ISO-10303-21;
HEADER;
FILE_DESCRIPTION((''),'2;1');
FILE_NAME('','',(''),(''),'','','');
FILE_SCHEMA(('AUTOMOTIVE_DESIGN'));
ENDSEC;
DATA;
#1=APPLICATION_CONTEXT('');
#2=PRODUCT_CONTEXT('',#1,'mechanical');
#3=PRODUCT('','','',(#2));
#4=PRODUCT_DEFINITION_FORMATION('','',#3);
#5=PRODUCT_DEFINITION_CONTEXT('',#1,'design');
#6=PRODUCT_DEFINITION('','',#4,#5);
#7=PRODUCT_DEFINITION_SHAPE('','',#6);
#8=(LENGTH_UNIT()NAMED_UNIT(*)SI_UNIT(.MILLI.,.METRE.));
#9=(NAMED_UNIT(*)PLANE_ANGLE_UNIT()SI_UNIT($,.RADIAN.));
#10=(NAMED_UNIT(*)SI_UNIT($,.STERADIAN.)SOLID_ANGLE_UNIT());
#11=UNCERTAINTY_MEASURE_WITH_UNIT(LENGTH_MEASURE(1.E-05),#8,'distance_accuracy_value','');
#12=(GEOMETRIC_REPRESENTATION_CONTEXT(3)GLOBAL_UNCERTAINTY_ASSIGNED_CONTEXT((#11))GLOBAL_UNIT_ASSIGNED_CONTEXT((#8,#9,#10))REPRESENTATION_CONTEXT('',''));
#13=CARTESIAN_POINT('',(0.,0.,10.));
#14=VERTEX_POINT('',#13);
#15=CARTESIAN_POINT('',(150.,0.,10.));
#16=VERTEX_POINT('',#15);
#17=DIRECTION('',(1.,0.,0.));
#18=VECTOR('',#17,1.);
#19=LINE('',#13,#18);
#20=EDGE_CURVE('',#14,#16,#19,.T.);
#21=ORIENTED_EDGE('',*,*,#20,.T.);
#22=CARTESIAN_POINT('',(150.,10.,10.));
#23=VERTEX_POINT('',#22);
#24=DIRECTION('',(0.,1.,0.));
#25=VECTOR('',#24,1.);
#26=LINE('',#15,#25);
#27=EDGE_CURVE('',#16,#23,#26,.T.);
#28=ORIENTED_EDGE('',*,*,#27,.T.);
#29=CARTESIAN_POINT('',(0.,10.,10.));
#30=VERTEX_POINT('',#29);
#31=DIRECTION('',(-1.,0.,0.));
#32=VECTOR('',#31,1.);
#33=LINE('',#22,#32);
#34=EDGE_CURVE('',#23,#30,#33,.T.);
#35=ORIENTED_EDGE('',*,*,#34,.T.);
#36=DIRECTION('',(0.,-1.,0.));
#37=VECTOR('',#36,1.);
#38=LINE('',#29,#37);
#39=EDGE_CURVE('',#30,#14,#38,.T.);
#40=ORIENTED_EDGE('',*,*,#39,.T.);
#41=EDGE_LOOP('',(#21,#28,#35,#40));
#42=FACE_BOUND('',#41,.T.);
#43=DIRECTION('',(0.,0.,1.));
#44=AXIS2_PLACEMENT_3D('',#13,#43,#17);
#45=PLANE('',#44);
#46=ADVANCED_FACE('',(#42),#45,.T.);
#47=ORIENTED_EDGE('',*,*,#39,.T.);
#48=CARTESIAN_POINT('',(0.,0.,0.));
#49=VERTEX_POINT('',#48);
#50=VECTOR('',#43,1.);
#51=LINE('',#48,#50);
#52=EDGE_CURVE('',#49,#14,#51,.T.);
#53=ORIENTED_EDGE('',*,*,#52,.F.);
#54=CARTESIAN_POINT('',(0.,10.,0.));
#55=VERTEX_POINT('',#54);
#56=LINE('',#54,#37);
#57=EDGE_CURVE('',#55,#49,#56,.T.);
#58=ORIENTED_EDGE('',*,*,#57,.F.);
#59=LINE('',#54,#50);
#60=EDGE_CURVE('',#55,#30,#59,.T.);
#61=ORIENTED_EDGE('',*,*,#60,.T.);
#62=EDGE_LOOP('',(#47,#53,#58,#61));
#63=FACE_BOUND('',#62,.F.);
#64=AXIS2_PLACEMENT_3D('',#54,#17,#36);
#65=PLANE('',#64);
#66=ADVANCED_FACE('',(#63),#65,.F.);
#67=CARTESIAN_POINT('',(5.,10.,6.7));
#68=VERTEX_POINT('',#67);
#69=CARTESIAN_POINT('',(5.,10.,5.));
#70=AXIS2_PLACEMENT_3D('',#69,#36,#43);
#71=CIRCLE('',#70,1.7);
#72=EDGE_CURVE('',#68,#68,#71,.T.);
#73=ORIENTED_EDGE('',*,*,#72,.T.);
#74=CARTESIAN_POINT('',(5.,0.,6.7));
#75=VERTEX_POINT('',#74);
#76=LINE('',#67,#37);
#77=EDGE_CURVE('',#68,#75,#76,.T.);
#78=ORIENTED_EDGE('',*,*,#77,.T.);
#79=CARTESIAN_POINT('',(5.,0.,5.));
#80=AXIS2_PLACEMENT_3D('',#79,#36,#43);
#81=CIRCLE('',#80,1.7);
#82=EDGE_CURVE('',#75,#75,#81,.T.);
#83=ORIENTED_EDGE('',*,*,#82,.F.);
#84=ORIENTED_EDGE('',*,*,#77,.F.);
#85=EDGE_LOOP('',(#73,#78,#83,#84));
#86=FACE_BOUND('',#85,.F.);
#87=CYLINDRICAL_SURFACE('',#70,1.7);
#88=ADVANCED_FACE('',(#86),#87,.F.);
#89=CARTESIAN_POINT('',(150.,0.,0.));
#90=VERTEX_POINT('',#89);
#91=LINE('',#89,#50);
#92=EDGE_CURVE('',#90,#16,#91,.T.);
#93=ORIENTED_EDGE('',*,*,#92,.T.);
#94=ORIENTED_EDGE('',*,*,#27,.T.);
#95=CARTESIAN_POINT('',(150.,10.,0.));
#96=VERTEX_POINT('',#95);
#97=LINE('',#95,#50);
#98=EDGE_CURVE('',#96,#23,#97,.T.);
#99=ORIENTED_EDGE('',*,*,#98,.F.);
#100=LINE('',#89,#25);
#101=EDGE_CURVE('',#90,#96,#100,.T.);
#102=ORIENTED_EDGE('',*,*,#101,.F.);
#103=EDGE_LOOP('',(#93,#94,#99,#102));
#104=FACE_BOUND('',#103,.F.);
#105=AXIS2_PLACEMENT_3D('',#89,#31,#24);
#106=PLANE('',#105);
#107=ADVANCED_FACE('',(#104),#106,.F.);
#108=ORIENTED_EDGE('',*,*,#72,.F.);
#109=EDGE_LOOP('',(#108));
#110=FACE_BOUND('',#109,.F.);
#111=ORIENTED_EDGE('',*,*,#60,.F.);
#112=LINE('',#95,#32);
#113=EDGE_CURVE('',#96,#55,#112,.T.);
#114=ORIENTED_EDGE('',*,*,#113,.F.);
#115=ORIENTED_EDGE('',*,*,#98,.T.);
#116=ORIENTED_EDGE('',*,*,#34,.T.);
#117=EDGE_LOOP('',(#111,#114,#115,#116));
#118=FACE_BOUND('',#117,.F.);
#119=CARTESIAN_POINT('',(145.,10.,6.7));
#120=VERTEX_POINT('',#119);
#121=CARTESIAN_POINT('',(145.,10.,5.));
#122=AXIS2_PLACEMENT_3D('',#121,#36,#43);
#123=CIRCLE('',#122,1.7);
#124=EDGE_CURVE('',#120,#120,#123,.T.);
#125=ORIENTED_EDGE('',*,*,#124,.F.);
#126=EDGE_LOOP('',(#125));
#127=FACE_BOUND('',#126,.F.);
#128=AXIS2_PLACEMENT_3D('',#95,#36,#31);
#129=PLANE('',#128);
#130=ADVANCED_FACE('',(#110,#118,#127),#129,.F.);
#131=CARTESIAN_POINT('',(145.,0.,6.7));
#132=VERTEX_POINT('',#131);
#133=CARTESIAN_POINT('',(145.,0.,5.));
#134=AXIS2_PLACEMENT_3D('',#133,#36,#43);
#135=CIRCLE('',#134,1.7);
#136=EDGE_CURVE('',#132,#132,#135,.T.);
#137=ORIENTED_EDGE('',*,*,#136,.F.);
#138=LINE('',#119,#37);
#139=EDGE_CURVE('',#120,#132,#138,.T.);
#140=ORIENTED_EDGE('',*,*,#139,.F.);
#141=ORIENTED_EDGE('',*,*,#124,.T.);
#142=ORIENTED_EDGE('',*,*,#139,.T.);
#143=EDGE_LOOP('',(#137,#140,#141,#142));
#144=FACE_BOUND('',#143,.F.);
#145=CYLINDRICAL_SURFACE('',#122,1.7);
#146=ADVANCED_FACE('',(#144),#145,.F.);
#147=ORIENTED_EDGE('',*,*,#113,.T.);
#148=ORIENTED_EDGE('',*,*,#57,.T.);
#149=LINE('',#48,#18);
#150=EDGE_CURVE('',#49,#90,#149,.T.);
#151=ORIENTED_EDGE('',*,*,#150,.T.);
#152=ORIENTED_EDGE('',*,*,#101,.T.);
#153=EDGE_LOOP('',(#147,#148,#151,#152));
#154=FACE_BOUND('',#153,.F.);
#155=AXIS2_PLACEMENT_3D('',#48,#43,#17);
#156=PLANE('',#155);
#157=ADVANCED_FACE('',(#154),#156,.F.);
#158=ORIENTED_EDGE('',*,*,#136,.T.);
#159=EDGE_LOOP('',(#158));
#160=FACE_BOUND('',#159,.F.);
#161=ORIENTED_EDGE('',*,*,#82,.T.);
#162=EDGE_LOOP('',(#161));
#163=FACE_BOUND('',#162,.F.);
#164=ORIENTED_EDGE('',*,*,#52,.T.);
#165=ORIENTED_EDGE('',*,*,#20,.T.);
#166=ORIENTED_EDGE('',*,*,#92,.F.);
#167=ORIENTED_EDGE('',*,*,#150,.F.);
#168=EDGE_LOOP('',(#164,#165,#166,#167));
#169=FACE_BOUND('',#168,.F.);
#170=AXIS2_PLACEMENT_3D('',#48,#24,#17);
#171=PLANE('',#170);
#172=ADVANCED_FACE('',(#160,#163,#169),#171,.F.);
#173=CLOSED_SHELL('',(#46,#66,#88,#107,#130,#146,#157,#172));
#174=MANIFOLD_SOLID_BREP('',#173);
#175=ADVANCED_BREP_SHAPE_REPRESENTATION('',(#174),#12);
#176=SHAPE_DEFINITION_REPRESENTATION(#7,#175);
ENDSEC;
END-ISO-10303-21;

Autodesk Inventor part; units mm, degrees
ref_plane "YZ Plane" through (0, 0, 0) normal (1, 0, 0) x (0, 1, 0)
ref_plane "XZ Plane" through (0, 0, 0) normal (0, 1, 0) x (-1, 0, 0)
ref_plane "XY Plane" through (0, 0, 0) normal (0, 0, 1) x (1, 0, 0)
sketch "スケッチ1" plane through (0, 0, 0) normal (0, 0, 1) x (1, 0, 0)
  line L0 (0, 0) -> (150, 0)
  line L1 (150, 0) -> (150, 10)
  line L2 (150, 10) -> (0, 10)
  line L3 (0, 10) -> (0, 0)
  dimension "d0" = 10
  dimension "d1" = 150
extrude "押し出し1" add sketch "スケッチ1" along normal blind 10
sketch "スケッチ2" plane through (0, 10, 0) normal (0, 1, 0) x (1, 0, 0)
  line L0 (150, 0) -> (0, 0) projected
  line L1 (0, 0) -> (0, -10) projected
  line L2 (75, 0) -> (75, -10)
  line L3 (150, -10) -> (0, -10) projected
  point P0 (5, -5)
  point P1 (145, -5)
  dimension "d4" = 5
  dimension "d5" = 5
hole "穴1" at (5, 10, 5) at (145, 10, 5) direction (0, -1, 0) diameter 3.4 end through all clearance for "Countersunk Flat Head Screw ISO 2009/7046" size "M3" standard "ISO"
properties part number "レール"
